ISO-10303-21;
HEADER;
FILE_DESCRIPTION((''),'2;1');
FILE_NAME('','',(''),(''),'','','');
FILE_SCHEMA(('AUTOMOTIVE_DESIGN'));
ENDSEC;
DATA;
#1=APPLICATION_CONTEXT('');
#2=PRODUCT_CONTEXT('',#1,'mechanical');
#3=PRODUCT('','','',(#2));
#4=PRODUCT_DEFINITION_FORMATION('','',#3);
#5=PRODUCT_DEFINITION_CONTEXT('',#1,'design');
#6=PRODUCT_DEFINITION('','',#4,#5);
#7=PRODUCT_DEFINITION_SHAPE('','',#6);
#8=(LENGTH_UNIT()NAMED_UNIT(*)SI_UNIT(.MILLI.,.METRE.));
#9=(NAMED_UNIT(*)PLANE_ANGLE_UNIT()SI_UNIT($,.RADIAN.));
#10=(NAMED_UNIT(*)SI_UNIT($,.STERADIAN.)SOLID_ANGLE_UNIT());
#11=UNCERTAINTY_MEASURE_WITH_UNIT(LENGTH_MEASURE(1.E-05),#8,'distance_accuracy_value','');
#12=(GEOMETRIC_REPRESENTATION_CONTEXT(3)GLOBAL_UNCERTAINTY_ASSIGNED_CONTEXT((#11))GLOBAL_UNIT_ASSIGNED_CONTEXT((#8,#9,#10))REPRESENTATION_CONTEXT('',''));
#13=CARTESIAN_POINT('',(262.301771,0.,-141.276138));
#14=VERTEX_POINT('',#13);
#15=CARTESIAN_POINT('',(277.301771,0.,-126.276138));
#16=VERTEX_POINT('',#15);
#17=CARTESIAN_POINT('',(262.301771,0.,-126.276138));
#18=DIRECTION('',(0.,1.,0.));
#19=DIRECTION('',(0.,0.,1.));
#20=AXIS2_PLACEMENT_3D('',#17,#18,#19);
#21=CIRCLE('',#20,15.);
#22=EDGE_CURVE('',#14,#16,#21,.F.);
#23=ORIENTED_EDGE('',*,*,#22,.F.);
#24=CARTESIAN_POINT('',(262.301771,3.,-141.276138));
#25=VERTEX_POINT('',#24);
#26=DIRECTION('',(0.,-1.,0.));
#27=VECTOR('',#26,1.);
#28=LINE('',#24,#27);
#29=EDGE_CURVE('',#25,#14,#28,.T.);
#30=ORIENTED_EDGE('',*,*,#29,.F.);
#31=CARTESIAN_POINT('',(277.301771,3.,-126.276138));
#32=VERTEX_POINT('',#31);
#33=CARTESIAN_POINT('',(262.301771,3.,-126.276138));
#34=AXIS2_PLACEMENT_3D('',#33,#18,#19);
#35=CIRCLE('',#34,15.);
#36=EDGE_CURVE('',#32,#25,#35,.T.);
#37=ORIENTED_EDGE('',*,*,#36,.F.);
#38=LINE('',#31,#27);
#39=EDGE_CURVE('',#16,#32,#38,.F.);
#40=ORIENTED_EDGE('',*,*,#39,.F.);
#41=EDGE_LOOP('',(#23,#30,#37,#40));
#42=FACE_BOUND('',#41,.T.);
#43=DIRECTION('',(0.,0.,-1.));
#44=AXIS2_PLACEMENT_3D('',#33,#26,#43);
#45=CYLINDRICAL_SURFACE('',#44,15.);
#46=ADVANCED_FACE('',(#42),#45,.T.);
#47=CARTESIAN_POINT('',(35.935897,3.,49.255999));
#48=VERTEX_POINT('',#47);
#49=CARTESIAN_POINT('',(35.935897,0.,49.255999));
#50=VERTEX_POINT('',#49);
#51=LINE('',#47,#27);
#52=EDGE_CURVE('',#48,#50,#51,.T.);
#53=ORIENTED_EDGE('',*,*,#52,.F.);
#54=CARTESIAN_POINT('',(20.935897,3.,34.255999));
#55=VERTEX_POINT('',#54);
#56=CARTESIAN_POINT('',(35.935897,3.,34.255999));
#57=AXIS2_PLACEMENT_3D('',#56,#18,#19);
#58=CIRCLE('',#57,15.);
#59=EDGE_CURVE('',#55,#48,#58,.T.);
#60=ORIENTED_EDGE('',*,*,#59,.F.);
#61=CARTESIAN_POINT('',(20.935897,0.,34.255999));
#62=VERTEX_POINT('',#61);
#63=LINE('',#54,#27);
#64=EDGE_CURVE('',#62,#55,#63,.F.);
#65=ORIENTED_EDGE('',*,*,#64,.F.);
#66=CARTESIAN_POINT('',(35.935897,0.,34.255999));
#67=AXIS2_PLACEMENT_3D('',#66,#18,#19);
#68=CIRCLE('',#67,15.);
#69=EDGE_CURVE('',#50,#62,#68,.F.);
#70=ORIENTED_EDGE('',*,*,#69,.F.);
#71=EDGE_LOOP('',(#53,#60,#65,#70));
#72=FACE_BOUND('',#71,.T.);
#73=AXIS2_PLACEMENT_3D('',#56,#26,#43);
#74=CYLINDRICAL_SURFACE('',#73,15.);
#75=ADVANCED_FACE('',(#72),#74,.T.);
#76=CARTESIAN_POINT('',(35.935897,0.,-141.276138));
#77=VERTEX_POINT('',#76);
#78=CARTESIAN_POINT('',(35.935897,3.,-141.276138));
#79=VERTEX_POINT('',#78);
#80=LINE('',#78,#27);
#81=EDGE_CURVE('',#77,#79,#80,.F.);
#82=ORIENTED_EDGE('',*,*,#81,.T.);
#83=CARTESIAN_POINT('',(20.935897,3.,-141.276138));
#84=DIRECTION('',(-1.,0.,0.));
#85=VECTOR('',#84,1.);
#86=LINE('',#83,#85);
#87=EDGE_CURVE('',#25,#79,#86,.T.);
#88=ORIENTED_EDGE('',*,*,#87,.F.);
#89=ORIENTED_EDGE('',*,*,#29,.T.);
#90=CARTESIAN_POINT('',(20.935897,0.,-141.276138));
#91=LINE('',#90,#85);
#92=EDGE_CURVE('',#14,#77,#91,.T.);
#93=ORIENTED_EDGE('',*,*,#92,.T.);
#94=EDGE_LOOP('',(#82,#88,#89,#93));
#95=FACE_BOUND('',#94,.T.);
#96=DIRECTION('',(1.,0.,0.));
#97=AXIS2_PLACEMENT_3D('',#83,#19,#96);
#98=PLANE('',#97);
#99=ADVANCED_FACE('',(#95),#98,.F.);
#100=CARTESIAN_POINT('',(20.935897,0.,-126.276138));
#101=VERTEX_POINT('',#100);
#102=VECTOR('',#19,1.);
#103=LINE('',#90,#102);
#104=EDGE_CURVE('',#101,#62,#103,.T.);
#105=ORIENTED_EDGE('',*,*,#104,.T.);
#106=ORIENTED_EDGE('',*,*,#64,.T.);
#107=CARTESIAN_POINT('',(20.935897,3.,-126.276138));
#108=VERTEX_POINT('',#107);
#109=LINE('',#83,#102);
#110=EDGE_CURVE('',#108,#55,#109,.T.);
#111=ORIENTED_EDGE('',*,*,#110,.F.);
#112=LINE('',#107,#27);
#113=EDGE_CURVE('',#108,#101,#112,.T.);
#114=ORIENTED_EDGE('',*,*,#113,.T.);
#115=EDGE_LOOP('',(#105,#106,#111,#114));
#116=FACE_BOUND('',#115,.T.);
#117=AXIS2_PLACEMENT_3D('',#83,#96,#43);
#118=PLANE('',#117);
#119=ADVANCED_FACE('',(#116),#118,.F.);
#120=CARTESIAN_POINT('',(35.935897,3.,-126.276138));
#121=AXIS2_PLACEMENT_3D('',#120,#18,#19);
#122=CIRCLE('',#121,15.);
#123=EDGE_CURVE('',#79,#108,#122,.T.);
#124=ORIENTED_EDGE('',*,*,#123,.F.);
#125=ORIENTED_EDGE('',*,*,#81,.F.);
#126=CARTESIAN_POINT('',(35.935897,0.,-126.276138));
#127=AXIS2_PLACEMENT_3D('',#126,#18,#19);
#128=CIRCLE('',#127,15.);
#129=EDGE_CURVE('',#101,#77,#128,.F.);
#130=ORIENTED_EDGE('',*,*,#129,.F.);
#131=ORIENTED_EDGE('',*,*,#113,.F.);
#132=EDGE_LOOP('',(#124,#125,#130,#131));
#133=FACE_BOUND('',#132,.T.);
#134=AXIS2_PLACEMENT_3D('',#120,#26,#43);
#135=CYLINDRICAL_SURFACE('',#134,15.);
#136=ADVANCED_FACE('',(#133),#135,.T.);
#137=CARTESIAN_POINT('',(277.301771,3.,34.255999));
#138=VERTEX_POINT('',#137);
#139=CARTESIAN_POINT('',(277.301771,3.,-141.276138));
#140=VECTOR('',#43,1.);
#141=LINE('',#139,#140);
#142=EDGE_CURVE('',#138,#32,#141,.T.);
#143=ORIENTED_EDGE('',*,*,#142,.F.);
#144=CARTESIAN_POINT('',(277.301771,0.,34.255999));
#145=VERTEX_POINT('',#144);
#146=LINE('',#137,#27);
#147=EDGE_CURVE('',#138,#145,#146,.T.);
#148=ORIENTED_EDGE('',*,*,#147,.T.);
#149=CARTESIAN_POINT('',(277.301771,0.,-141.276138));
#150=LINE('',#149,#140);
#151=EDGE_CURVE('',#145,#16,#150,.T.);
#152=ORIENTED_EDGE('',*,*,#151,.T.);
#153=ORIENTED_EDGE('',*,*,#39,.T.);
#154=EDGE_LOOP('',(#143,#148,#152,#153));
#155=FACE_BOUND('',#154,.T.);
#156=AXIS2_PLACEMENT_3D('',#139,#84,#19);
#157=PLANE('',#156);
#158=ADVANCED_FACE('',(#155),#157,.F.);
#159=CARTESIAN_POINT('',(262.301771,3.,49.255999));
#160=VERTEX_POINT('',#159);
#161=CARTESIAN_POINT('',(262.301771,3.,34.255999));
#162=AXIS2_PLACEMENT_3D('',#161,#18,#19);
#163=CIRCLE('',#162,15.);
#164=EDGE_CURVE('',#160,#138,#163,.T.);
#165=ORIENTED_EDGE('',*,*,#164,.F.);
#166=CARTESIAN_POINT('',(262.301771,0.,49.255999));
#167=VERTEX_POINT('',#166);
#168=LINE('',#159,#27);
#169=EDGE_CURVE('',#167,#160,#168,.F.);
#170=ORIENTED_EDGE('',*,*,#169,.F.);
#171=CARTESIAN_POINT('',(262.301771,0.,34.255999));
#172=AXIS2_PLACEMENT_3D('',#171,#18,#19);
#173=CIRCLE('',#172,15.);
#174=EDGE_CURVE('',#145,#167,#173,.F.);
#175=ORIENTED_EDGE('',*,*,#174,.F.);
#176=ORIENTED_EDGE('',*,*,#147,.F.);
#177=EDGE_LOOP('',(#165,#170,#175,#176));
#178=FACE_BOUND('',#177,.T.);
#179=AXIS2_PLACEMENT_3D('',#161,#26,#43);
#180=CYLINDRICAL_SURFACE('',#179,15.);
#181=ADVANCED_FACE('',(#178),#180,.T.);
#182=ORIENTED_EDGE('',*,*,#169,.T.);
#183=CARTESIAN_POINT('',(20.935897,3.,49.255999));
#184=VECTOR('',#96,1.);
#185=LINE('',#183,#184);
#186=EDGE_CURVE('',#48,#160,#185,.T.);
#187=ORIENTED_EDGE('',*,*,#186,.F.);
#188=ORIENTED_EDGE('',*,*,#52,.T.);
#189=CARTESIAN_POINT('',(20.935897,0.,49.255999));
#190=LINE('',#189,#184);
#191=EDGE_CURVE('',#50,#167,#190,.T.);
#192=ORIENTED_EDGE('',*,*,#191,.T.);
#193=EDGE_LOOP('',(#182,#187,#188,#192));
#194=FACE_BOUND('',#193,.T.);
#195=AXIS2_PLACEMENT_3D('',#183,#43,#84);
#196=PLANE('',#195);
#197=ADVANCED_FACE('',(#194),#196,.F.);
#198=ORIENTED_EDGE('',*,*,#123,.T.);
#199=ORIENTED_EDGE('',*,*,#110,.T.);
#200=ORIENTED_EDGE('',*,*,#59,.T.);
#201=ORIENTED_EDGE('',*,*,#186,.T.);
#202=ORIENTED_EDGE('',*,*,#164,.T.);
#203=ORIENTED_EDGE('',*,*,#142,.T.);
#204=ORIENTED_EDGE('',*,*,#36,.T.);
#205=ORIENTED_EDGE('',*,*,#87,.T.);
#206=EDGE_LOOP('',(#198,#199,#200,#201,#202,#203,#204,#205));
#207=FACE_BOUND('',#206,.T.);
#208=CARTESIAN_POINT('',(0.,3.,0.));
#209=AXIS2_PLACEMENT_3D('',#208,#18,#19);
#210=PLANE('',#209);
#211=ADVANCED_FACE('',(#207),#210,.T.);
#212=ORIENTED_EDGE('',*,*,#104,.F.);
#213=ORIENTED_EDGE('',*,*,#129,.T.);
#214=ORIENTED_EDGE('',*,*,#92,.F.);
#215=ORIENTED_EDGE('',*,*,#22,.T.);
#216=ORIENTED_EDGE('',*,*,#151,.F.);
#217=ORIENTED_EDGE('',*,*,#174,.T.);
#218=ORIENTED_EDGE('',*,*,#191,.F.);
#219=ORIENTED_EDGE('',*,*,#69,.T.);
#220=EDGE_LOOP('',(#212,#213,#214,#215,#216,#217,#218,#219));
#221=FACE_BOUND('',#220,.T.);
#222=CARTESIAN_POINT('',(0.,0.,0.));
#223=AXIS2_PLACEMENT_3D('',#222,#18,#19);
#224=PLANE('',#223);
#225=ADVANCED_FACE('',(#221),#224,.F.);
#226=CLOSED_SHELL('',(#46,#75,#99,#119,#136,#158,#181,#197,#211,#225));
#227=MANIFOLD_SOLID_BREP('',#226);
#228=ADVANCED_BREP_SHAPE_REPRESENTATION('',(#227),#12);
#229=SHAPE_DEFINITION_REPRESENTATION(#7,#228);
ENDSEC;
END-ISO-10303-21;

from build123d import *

# Parameters (mm, degrees)
SKETCH_1_W      = 256.36587371
SKETCH_1_H      = 190.532136394
EXTRUDE_1_DEPTH = 3
FILLET_1_R      = 15


with BuildPart() as part:
    # 草图1 → 凸台-拉伸1 (new body)
    with BuildSketch(Plane(origin=(0, 0, 0), x_dir=(1, 0, 0), z_dir=(0, 1, 0))):
        with Locations((149.118834174, 46.010069649)):
            Rectangle(SKETCH_1_W, SKETCH_1_H)
    extrude(amount=EXTRUDE_1_DEPTH)

    # 圆角1
    fillet_1_edges = [part.edges().sort_by_distance(p)[0] for p in [
        (20.935897319, 1.5, -141.276137846),
        (277.301771029, 1.5, -141.276137846),
        (277.301771029, 1.5, 49.255998548),
        (20.935897319, 1.5, 49.255998548),
    ]]
    fillet(fillet_1_edges, radius=FILLET_1_R)


solid = part.part
